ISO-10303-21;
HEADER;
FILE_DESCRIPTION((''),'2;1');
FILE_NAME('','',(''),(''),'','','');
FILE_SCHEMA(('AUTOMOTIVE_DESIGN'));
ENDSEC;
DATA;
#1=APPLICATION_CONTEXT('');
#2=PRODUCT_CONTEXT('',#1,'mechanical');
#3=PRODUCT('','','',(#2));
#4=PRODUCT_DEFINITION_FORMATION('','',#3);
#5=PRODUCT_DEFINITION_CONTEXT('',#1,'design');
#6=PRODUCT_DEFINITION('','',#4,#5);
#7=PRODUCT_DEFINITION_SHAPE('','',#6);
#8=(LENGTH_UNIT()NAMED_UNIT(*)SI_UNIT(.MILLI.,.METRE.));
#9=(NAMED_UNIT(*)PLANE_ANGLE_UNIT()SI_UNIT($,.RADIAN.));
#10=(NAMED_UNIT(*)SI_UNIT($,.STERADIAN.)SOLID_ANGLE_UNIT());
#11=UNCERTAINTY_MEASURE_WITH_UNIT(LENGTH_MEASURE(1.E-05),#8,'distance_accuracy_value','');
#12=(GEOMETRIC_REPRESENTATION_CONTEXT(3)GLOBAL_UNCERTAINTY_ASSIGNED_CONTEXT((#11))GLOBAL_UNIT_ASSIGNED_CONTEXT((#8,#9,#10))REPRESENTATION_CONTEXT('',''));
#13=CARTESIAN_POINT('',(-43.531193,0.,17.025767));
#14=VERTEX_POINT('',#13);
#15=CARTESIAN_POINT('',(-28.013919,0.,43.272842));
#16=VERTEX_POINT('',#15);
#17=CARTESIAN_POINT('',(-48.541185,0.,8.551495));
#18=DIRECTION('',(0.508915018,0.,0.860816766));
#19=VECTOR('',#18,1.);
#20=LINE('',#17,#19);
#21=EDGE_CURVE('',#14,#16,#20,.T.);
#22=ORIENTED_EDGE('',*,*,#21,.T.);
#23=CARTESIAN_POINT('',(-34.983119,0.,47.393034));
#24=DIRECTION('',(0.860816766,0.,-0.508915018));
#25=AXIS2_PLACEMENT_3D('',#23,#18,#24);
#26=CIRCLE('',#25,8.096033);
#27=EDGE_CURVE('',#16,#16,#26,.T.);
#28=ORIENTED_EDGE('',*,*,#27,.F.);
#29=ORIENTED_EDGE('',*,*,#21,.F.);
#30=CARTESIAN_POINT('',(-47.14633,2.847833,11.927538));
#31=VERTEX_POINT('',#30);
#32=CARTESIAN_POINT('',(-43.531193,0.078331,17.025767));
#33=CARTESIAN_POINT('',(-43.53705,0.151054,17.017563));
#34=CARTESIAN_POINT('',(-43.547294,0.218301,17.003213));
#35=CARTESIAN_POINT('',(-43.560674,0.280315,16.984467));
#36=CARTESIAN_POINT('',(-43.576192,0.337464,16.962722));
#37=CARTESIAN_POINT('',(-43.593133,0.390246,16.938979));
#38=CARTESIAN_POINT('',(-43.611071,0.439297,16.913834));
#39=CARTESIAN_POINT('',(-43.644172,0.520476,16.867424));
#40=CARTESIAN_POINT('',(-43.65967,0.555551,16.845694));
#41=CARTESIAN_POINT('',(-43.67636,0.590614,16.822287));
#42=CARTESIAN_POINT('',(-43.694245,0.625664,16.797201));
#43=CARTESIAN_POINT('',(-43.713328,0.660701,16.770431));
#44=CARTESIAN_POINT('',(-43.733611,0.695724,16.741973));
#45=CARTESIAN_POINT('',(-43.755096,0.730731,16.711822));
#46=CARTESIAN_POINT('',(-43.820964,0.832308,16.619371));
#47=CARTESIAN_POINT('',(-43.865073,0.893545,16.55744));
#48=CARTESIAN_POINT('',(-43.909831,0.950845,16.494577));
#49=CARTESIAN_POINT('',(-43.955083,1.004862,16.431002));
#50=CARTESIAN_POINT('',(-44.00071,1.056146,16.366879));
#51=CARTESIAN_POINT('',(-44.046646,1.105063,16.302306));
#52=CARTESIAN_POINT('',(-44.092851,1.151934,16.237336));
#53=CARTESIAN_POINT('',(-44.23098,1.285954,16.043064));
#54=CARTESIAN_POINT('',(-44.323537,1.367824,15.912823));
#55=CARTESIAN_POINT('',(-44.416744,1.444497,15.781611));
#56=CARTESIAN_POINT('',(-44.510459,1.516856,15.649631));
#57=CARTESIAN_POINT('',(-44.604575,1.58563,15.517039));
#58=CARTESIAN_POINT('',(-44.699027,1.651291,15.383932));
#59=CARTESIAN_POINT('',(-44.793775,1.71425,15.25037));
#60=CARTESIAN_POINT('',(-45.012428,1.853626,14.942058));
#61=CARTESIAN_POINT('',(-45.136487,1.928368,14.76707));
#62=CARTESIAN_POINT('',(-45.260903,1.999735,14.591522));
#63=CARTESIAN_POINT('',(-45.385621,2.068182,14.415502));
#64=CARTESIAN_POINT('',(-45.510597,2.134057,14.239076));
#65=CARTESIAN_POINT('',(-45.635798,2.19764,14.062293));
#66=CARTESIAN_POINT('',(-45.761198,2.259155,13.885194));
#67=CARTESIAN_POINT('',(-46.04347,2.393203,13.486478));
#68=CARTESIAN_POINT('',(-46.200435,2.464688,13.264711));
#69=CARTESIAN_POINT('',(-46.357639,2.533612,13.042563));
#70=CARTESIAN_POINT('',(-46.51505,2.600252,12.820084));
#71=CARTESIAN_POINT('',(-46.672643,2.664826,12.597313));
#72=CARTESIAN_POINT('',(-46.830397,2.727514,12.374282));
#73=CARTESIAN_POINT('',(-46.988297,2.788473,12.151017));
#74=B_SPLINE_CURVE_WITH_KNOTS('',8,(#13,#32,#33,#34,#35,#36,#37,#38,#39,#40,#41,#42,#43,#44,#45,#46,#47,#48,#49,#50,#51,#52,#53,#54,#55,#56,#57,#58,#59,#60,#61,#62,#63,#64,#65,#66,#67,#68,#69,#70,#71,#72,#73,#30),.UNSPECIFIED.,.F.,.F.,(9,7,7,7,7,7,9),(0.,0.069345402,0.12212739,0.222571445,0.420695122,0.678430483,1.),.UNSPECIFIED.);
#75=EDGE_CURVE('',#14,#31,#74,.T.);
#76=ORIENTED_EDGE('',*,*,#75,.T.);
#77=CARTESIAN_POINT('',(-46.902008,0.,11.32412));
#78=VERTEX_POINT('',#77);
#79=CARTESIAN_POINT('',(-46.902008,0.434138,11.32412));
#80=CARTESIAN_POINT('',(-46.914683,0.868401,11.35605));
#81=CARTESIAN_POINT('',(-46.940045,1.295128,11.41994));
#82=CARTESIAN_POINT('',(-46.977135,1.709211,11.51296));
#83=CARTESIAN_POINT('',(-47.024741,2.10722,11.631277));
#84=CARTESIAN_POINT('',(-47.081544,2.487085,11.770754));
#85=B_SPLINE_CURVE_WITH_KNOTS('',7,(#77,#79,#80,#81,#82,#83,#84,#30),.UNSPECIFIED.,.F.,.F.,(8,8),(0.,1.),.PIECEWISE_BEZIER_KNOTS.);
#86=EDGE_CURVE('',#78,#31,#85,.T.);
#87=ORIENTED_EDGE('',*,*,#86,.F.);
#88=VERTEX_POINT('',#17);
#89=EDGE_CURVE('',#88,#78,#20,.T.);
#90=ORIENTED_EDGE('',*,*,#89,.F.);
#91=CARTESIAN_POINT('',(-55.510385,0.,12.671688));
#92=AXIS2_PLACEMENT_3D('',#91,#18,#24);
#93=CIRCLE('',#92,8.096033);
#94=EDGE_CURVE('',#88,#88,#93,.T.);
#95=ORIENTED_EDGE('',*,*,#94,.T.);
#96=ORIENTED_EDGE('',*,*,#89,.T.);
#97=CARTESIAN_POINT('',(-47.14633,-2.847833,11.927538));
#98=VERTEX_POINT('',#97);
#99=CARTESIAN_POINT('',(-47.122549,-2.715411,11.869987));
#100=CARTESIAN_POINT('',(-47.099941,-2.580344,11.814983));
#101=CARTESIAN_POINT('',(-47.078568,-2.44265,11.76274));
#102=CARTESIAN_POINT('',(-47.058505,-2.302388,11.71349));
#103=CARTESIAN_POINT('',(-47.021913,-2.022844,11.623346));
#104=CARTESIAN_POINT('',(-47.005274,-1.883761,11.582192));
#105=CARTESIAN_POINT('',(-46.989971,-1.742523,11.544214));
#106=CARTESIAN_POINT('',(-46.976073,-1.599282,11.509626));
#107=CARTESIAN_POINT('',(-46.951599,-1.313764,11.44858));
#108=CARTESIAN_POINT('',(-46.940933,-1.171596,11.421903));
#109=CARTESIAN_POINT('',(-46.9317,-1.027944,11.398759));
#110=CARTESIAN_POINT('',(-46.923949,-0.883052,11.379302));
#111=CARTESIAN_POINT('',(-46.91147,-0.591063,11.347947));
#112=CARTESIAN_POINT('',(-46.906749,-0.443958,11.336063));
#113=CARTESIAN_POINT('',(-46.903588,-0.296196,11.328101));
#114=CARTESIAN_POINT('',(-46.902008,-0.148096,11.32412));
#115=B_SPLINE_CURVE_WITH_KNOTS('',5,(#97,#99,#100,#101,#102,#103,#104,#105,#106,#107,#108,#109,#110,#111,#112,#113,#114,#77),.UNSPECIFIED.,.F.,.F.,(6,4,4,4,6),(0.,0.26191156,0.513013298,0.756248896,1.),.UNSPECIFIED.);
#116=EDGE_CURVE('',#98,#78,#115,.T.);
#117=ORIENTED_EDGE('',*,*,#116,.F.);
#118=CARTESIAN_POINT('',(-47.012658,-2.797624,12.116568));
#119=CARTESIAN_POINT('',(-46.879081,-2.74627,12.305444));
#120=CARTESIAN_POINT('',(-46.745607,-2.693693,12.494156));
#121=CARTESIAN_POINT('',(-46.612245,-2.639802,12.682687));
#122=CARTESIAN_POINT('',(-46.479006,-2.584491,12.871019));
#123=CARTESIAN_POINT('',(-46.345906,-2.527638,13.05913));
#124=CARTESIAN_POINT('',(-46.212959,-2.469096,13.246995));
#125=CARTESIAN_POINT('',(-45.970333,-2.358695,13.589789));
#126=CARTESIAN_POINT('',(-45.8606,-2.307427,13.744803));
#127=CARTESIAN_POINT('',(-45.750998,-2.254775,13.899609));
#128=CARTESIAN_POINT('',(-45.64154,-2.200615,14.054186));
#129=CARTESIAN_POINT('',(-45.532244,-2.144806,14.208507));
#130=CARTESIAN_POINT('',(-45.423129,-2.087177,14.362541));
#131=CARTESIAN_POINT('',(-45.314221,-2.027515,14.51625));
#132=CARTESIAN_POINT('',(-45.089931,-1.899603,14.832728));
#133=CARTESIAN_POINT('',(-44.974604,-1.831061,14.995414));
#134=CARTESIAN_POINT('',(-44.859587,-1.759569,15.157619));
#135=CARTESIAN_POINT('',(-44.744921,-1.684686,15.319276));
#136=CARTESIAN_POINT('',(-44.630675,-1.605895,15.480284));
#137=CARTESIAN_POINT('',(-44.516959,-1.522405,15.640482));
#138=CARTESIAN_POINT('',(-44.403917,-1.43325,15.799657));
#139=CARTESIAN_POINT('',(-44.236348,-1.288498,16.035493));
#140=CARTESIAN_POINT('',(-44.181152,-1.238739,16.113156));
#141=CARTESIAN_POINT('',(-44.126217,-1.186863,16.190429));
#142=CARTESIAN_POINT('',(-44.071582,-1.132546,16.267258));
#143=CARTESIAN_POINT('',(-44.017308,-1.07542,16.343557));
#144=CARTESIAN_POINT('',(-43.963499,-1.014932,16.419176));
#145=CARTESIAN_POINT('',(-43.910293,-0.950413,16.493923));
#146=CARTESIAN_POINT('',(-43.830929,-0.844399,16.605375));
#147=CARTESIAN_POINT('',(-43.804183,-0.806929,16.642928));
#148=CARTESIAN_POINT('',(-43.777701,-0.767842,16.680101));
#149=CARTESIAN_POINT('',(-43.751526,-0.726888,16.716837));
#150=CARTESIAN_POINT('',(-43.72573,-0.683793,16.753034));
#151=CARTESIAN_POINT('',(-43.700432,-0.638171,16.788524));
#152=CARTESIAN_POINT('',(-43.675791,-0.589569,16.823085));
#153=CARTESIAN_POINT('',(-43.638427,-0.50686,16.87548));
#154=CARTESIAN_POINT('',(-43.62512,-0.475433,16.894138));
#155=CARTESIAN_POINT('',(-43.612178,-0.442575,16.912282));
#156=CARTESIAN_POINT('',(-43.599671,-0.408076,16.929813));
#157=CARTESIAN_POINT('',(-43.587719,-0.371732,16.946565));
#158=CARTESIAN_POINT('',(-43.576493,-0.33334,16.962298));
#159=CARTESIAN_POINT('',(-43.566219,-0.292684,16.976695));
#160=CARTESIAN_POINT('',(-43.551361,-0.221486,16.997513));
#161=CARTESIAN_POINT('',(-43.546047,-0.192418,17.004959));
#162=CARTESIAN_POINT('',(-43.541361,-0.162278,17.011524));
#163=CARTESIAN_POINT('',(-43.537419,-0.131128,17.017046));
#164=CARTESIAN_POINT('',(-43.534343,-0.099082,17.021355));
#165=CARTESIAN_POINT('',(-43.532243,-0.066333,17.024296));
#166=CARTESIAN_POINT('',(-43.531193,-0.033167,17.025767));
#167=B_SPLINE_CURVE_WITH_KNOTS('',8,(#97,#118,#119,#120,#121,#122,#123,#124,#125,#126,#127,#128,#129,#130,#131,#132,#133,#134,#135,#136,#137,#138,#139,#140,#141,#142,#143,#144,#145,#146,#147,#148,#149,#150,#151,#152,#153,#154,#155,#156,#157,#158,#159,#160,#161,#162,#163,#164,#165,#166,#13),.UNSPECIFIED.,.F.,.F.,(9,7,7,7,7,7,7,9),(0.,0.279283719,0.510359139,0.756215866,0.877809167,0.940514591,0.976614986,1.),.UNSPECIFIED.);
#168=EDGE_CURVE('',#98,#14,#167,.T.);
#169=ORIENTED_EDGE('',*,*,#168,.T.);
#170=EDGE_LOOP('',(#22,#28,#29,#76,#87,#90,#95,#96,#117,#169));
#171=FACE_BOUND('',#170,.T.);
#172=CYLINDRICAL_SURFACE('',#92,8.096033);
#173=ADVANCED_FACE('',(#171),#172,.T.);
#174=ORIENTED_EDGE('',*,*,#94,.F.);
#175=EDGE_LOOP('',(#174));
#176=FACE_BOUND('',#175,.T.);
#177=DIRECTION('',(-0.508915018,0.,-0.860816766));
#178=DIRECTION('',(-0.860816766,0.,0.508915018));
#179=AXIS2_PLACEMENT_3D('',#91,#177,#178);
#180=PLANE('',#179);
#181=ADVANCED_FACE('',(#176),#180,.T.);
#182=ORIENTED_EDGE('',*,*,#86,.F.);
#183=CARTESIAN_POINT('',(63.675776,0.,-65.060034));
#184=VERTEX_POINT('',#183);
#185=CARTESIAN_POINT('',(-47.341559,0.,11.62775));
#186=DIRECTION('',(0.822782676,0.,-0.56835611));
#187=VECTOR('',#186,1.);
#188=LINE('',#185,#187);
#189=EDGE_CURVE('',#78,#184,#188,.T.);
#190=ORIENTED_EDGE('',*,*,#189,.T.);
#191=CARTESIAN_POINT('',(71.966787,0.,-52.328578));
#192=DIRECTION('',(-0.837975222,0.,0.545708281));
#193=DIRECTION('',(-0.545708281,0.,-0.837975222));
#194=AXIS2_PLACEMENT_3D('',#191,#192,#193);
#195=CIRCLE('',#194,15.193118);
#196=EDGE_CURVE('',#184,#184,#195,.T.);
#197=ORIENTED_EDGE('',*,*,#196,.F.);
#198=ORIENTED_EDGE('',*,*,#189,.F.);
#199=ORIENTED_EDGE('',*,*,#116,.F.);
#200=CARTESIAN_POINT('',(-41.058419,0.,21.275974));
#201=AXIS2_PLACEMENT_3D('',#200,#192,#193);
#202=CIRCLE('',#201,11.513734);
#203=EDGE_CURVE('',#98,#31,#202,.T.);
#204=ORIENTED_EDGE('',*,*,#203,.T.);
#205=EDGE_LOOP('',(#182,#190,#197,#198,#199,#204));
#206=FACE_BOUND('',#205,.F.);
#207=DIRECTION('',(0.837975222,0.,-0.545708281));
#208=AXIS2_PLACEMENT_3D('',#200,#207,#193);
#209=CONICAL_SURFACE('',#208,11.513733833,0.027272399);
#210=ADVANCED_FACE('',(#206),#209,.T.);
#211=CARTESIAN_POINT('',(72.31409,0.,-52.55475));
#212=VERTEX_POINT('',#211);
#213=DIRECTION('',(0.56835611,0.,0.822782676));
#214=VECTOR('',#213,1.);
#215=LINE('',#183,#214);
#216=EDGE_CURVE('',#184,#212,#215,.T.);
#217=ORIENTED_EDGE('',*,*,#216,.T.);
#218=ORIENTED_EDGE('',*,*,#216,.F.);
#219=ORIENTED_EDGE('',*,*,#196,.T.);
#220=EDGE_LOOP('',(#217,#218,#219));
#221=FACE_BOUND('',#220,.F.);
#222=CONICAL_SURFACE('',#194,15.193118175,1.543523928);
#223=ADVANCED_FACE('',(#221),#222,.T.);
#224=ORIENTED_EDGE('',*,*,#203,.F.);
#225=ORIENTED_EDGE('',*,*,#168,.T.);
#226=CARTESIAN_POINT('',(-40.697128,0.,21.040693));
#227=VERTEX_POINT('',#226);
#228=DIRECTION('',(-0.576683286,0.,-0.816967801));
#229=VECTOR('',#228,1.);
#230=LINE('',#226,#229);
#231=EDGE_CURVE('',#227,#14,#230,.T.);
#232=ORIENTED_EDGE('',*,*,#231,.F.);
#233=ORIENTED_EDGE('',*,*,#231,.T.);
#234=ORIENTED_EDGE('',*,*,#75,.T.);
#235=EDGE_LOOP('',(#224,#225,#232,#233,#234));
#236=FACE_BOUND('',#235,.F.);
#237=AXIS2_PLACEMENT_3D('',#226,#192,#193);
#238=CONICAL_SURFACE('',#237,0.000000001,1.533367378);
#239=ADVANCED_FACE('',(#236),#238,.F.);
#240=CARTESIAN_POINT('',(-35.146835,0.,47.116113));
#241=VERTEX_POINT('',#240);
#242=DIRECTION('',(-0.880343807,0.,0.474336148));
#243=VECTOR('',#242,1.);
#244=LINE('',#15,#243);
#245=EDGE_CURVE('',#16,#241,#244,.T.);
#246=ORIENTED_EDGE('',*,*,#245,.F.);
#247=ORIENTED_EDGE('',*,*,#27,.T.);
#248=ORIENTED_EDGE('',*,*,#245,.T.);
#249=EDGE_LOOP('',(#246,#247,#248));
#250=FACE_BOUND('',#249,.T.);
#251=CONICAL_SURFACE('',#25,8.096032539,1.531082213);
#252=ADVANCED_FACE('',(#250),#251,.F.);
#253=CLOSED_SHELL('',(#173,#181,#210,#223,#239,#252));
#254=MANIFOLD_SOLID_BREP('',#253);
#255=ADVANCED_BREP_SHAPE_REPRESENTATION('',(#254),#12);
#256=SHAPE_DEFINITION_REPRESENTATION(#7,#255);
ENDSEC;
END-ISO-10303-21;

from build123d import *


with BuildPart() as f1:
    # F0 (on Front) → F1 (revolve)
    with BuildSketch(Plane.XZ):
        Polygon((-48.5411845148, 8.5514951497), (-28.0139185488, 43.2728417218), (-35.1468349733, 47.1161130368), (-55.5103850626, 12.6716876924), align=None)
    revolve(axis=Axis((-45.328610018, 0, 29.8939003646), (0.5089150177, 0, 0.8608167661)))

    # F2 (on Front) → F3 (revolve)
    with BuildSketch(Plane.XZ):
        Polygon((-40.6971275806, 21.0406929255), (-47.3415590823, 11.6277504712), (63.675776124, -65.0600343943), (72.314089996, -52.5547496422), align=None)
    revolve(axis=Axis((15.8084812077, 0, -15.7570283584), (-0.8379752215, 0, 0.5457082811)))


solid = f1.part
